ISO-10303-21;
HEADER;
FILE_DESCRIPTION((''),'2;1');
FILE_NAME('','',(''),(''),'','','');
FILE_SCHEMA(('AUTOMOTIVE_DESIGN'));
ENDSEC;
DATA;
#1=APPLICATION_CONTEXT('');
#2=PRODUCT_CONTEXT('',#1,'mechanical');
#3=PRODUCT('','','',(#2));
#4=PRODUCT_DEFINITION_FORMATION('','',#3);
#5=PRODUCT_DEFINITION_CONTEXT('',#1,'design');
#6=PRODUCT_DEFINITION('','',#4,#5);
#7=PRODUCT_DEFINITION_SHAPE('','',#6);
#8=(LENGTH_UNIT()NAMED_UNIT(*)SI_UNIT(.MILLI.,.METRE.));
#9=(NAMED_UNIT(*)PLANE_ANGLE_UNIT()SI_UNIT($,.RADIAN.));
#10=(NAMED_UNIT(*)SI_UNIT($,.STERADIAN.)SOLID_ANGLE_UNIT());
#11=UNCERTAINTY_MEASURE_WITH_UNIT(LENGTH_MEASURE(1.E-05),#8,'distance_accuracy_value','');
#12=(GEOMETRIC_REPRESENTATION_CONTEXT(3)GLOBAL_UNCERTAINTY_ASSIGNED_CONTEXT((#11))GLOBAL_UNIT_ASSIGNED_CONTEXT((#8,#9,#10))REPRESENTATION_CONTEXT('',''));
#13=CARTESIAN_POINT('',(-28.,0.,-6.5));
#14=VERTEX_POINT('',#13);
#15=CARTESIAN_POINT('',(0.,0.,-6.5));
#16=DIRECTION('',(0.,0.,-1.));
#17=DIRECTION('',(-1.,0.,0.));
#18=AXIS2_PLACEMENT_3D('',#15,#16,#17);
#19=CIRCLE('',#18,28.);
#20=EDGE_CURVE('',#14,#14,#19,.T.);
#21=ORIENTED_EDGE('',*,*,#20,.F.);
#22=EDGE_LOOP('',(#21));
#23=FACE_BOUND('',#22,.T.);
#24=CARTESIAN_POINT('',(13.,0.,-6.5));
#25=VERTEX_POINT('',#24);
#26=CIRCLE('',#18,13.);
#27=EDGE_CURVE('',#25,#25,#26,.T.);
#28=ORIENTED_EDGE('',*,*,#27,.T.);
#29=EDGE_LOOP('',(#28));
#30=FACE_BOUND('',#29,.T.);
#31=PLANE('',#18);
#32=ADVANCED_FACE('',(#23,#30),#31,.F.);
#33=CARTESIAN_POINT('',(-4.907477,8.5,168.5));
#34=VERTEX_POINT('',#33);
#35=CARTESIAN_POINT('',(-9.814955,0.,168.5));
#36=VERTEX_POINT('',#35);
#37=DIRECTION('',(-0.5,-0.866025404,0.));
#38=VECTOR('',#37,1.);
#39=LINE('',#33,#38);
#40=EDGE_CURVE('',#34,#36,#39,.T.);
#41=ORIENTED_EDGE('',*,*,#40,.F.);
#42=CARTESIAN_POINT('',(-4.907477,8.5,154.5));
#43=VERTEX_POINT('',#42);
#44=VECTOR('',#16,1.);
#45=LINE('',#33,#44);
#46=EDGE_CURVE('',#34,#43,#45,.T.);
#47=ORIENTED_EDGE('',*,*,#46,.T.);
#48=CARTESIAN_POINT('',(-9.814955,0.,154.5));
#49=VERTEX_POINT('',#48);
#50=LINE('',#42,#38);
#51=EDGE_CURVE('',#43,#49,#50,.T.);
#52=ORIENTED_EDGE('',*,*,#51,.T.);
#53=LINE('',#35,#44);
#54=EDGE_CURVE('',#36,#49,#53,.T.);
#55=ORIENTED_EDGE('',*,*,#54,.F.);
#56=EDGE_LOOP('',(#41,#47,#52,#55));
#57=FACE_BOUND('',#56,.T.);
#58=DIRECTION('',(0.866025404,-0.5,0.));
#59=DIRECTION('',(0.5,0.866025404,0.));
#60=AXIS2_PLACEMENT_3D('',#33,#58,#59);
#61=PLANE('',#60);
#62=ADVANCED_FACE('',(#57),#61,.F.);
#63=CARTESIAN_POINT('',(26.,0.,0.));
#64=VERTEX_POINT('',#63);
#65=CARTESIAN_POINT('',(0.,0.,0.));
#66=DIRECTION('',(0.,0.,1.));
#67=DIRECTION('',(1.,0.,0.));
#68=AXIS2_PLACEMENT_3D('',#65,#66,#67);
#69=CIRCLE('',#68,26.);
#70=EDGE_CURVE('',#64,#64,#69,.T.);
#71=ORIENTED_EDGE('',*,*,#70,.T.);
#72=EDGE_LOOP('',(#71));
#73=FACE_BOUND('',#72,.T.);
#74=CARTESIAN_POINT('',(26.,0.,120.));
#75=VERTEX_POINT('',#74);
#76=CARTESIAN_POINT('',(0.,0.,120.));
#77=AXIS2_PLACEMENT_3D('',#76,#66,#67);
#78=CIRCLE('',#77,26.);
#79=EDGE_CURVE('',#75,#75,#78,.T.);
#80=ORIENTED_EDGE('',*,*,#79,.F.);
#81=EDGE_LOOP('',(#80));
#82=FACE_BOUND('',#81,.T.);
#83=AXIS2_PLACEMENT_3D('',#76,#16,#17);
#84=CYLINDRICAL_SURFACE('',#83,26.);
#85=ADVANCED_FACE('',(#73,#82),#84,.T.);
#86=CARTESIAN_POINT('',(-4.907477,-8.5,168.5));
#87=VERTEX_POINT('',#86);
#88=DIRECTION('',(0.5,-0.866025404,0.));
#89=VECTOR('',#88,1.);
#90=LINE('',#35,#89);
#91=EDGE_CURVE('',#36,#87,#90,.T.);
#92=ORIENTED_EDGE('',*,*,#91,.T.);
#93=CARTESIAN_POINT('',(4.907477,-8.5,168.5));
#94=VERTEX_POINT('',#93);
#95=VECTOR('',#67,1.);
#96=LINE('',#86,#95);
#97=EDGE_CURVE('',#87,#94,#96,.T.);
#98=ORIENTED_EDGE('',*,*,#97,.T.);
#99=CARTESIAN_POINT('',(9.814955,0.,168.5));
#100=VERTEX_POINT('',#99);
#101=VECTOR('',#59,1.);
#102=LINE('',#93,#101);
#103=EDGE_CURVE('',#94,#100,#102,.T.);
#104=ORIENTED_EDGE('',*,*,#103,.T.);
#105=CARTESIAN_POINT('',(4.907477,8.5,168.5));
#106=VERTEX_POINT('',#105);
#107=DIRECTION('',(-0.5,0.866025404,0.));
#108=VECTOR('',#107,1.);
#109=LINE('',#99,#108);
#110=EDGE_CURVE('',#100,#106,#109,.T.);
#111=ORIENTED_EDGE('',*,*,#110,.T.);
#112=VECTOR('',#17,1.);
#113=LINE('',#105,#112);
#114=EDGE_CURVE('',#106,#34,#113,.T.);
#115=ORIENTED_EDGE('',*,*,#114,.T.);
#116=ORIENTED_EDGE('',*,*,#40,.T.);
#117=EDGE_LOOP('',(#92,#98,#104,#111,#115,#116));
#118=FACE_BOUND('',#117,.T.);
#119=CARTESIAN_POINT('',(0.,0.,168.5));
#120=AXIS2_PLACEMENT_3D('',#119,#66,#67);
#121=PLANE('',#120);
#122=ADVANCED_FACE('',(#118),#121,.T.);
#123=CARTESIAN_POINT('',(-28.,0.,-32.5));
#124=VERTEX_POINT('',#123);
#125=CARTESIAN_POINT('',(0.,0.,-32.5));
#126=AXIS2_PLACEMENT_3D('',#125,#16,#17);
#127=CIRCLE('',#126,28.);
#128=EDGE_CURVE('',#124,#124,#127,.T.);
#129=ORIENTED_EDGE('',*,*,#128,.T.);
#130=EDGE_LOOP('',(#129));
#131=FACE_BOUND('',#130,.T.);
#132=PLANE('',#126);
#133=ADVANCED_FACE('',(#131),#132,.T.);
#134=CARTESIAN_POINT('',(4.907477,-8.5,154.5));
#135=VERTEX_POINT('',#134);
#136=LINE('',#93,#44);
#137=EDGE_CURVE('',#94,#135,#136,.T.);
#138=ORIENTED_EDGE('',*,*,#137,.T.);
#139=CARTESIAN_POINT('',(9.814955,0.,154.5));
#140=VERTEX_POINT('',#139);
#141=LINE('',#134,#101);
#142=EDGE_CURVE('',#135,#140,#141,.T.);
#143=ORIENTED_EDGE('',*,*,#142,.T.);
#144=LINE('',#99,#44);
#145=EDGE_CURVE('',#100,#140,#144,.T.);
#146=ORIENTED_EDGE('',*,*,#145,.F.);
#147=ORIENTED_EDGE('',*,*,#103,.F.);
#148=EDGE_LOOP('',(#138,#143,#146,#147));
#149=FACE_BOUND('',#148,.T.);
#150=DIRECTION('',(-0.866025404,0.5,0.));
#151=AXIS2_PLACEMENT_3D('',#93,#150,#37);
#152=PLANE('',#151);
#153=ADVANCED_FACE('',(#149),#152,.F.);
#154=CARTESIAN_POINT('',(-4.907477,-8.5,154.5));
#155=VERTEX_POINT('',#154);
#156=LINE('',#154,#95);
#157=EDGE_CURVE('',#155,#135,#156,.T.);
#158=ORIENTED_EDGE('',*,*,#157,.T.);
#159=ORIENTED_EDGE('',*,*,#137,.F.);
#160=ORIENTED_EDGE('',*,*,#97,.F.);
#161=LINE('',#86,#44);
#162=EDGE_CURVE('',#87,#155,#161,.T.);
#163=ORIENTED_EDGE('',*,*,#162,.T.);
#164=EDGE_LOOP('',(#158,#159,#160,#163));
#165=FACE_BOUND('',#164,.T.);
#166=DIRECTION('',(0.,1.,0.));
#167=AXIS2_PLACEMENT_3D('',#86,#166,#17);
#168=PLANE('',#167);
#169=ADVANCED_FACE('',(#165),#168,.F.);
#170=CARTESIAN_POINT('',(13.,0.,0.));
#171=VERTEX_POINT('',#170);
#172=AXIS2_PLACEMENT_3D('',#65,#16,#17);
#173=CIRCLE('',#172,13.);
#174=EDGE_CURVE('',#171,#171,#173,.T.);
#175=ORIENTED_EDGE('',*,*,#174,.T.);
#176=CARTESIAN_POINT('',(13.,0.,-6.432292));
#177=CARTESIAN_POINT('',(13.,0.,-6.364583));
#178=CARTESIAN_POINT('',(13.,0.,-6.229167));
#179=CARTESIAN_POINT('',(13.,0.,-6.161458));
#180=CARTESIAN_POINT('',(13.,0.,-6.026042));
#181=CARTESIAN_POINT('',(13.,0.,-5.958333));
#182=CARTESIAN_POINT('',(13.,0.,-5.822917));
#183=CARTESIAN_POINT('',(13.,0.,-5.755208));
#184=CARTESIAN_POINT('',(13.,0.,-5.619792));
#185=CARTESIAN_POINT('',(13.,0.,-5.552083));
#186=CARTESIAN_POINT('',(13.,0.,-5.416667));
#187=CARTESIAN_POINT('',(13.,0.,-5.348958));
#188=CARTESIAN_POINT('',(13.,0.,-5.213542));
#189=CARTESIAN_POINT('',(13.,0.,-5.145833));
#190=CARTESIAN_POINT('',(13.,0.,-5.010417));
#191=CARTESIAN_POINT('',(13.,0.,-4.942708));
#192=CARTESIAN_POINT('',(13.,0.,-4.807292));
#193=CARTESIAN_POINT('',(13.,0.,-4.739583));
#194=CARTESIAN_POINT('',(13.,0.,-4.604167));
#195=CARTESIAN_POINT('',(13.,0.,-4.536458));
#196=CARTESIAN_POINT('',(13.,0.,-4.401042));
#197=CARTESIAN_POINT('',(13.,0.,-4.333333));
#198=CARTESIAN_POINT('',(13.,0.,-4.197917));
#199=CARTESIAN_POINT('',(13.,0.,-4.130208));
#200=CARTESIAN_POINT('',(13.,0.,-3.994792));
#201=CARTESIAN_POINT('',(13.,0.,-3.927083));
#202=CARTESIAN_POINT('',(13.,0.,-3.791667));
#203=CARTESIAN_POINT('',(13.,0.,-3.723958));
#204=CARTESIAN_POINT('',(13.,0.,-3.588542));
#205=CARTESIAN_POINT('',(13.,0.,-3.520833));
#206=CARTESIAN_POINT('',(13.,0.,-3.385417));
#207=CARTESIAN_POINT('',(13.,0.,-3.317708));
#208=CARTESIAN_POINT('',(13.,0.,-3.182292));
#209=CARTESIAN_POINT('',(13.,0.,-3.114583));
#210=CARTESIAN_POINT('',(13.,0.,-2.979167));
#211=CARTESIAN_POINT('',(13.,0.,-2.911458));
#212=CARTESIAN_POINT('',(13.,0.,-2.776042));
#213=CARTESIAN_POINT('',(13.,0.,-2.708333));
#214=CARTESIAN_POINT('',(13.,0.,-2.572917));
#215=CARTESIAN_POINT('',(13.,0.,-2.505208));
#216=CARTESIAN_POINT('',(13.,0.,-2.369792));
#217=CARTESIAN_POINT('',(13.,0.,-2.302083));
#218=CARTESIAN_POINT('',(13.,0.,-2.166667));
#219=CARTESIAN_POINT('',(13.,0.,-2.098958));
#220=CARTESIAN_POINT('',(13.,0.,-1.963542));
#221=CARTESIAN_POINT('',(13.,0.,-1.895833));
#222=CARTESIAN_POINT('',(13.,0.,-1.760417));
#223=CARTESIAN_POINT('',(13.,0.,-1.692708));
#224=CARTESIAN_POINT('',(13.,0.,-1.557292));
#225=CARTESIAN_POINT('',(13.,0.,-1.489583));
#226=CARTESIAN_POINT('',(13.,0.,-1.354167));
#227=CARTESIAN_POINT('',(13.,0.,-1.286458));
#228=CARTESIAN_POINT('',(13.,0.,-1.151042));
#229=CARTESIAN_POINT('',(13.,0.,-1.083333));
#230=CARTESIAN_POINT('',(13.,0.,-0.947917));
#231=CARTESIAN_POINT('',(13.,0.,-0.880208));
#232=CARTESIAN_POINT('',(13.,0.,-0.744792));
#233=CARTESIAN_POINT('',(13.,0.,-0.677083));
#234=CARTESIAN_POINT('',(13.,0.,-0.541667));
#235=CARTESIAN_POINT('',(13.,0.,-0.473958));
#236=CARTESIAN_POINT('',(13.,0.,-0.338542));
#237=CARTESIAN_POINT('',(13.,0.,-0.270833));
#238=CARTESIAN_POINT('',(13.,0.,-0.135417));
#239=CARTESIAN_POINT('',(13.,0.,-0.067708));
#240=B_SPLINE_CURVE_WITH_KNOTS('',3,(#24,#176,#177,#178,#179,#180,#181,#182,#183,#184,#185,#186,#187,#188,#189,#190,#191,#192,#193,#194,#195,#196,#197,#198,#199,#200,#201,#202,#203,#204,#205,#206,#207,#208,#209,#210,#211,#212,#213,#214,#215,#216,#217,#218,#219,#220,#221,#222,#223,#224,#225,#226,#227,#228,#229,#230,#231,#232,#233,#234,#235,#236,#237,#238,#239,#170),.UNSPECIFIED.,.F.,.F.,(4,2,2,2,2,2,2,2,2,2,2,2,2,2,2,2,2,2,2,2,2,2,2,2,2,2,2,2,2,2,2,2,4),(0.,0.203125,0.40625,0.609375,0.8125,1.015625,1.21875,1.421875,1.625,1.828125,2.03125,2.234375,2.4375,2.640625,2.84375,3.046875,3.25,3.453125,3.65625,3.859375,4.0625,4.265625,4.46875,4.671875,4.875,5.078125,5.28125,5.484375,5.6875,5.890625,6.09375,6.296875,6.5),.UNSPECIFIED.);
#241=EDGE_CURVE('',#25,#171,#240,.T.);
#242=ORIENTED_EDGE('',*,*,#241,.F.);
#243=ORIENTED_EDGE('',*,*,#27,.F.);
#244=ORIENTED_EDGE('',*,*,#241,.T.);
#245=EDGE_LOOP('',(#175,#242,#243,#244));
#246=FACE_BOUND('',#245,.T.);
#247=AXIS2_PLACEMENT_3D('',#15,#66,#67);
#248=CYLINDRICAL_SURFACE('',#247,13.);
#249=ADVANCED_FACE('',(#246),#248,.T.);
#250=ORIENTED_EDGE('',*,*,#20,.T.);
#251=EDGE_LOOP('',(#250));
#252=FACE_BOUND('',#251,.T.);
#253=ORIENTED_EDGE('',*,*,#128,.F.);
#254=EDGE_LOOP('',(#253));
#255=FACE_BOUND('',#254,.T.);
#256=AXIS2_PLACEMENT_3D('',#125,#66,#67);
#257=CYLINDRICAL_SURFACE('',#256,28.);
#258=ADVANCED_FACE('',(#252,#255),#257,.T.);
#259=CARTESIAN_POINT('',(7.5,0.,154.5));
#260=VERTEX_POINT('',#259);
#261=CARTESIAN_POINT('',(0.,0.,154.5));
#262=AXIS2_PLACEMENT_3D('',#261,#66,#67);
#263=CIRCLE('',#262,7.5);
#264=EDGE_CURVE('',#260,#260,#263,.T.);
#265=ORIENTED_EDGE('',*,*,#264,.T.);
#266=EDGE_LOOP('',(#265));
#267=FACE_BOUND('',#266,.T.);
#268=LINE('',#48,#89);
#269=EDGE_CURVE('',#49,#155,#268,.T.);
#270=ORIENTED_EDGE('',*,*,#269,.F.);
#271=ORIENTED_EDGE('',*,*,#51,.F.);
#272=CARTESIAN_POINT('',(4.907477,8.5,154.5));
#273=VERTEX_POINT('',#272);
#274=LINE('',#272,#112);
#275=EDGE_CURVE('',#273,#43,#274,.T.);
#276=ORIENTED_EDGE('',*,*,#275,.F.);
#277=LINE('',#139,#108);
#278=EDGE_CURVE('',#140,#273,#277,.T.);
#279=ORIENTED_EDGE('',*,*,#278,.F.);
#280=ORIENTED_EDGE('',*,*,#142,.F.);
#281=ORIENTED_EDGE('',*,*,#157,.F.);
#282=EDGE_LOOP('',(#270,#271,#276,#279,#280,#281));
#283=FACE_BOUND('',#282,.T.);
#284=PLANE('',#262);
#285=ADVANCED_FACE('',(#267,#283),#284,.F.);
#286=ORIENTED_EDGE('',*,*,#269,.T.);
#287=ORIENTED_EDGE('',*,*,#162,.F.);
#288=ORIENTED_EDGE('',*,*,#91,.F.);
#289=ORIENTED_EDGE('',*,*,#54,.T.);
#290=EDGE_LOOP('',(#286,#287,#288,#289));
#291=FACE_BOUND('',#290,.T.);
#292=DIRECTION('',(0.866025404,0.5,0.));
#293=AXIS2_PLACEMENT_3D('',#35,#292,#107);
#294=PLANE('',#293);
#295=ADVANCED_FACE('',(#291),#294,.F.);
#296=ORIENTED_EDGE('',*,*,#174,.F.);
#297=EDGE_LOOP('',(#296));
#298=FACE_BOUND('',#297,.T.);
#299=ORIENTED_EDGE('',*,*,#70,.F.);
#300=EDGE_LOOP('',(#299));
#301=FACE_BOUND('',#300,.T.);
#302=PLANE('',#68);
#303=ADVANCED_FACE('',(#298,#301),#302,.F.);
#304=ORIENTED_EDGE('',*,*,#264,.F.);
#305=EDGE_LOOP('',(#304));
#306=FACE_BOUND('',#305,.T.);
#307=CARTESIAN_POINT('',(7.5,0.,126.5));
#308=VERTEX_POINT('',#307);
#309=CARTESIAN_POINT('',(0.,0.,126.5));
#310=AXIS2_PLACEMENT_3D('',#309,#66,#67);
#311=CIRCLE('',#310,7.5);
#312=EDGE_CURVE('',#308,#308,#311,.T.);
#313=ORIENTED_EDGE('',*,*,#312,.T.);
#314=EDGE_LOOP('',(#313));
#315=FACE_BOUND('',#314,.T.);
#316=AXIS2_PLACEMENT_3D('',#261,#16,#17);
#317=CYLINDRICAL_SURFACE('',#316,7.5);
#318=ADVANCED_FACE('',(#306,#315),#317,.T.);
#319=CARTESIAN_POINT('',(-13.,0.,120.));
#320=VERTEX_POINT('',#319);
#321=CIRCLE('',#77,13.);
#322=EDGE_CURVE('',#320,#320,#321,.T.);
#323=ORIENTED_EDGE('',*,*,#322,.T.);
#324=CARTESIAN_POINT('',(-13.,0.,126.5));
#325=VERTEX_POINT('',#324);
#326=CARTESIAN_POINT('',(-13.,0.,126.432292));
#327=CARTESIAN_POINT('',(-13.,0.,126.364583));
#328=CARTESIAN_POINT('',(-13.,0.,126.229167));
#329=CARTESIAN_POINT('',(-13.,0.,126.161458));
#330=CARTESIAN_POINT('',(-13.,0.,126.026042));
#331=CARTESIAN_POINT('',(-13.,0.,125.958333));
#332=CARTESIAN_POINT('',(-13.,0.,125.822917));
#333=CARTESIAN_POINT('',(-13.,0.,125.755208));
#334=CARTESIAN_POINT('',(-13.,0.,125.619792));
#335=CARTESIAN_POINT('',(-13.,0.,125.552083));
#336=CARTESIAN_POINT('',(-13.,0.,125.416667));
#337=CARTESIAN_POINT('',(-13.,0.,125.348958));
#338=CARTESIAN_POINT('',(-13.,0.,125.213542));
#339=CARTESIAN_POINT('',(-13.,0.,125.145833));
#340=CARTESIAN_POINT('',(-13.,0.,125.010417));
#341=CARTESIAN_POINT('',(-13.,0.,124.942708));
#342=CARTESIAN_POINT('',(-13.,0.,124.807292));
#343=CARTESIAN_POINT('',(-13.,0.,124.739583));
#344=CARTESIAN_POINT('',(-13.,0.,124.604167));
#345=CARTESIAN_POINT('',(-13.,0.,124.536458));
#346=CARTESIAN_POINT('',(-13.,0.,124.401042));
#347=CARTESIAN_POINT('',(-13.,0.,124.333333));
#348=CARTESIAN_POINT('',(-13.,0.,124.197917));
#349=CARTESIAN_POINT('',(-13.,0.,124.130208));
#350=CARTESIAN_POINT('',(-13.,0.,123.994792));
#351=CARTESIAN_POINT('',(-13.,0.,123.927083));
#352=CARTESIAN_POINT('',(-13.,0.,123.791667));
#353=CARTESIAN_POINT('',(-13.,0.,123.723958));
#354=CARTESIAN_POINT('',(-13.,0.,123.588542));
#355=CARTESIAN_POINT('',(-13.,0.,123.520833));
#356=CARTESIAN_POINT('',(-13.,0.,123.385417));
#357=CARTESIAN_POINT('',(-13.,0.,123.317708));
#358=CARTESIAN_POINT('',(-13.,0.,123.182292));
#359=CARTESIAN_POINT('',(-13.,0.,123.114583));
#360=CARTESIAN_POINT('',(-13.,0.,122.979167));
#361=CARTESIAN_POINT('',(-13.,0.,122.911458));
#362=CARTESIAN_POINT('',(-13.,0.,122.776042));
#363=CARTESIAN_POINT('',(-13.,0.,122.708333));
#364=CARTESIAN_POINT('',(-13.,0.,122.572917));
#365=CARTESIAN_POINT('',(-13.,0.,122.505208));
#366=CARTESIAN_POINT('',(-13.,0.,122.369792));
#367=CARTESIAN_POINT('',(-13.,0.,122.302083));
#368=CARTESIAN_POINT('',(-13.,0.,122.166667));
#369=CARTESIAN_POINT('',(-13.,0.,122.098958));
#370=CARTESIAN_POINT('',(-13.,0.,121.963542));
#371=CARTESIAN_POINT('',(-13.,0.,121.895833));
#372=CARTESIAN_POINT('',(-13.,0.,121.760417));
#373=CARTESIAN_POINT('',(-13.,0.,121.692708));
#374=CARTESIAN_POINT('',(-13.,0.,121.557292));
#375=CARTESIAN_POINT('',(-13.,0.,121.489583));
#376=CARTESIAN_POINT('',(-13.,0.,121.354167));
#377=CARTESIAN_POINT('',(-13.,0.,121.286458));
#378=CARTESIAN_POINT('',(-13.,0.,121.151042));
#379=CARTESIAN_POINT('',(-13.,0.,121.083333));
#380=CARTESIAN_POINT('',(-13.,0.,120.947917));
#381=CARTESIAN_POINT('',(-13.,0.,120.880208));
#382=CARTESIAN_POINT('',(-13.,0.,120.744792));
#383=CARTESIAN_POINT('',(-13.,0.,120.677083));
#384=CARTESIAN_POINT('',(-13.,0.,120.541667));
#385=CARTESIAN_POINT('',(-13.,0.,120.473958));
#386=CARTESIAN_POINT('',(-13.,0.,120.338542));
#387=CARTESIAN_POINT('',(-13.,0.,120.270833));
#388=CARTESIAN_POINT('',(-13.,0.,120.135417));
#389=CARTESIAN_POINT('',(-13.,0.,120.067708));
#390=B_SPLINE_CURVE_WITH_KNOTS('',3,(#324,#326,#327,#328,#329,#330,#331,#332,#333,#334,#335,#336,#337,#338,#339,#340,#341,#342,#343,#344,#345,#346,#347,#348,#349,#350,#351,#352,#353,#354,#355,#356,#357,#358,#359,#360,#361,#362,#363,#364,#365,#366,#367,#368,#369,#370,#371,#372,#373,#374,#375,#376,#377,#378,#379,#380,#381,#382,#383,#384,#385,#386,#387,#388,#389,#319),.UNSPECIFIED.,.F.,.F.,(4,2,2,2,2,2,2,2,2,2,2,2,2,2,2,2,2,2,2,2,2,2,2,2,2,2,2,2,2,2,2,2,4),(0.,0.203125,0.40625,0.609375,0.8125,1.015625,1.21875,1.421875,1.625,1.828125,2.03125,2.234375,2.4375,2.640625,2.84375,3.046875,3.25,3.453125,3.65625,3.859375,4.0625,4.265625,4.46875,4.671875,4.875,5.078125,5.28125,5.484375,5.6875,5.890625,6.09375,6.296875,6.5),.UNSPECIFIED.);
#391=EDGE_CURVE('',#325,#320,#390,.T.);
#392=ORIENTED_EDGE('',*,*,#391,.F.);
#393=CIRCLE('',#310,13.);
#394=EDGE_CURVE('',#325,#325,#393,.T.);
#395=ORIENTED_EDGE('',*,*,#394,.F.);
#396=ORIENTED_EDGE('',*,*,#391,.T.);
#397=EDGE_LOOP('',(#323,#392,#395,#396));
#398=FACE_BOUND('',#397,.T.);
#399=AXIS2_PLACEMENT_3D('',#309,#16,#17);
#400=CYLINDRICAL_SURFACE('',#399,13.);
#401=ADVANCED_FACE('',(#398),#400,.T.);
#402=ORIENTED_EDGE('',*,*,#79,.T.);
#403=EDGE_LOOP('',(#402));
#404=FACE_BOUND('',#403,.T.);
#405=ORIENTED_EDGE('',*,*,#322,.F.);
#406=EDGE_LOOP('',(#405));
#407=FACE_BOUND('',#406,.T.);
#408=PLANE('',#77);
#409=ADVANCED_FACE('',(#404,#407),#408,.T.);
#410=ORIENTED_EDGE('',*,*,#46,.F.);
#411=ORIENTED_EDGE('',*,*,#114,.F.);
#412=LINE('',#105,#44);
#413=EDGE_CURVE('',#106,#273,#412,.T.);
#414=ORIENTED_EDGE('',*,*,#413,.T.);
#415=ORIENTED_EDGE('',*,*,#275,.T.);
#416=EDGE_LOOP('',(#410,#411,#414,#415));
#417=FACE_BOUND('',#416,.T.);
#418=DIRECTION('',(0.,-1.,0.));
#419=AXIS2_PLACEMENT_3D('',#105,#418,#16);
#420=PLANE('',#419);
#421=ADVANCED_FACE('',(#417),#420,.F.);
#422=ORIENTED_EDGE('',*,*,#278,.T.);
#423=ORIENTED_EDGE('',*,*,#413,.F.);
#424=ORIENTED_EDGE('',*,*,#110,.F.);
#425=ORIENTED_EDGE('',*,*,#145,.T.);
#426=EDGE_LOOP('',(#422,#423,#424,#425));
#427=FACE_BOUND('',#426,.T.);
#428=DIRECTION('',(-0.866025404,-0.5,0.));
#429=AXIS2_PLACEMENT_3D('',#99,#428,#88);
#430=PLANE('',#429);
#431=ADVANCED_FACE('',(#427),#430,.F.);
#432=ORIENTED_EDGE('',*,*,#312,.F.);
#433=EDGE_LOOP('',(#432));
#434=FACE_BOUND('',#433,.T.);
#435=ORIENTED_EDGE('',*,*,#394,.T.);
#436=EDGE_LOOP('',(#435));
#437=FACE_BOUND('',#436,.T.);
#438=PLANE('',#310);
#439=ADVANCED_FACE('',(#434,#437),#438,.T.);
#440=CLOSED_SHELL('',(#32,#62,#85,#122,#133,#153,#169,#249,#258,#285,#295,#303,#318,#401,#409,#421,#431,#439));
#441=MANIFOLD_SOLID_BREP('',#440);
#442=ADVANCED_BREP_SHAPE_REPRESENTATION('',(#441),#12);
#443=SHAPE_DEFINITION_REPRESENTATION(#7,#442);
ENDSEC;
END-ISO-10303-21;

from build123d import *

# Parameters (mm, degrees)
ESQUISSE1_R        = 26
BOSS_EXTRU_1_DEPTH = 120
ESQUISSE2_R        = 13
BOSS_EXTRU_2_DEPTH = 6.5
BOSS_EXTRU_3_START = 6.5
ESQUISSE3_R        = 13
BOSS_EXTRU_3_DEPTH = 6.5
ESQUISSE4_R        = 7.5
BOSS_EXTRU_4_DEPTH = 28
BOSS_EXTRU_5_DEPTH = 14
ESQUISSE6_R        = 28
BOSS_EXTRU_6_DEPTH = 26


with BuildPart() as part:
    # Esquisse1 → Boss.-Extru.1 (new body)
    with BuildSketch(Plane.XY):
        Circle(ESQUISSE1_R)
    extrude(amount=BOSS_EXTRU_1_DEPTH)

    # Esquisse2 → Boss.-Extru.2 (add)
    with BuildSketch(Plane.XY.offset(120)):
        with Locations(Location((0, 0, 0), (0, 0, 180))):
            Circle(ESQUISSE2_R)
    extrude(amount=BOSS_EXTRU_2_DEPTH)

    # Esquisse3 → Boss.-Extru.3 (add)
    with BuildSketch(Plane(origin=(0, 0, 0), x_dir=(-1, 0, 0), z_dir=(0, 0, -1)).offset(BOSS_EXTRU_3_START)):
        Circle(ESQUISSE3_R)
    extrude(amount=-BOSS_EXTRU_3_DEPTH)

    # Esquisse4 → Boss.-Extru.4 (add)
    with BuildSketch(Plane.XY.offset(126.5)):
        Circle(ESQUISSE4_R)
    extrude(amount=BOSS_EXTRU_4_DEPTH)

    # Esquisse5 → Boss.-Extru.5 (add)
    with BuildSketch(Plane.XY.offset(154.5)):
        Polygon((9.814954576, 0), (4.907477288, 8.5), (-4.907477288, 8.5), (-9.814954576, 0), (-4.907477288, -8.5), (4.907477288, -8.5), align=None)
    extrude(amount=BOSS_EXTRU_5_DEPTH)

    # Esquisse6 → Boss.-Extru.6 (add)
    with BuildSketch(Plane(origin=(0, 0, -6.5), x_dir=(-1, 0, 0), z_dir=(0, 0, -1))):
        Circle(ESQUISSE6_R)
    extrude(amount=BOSS_EXTRU_6_DEPTH)


solid = part.part
